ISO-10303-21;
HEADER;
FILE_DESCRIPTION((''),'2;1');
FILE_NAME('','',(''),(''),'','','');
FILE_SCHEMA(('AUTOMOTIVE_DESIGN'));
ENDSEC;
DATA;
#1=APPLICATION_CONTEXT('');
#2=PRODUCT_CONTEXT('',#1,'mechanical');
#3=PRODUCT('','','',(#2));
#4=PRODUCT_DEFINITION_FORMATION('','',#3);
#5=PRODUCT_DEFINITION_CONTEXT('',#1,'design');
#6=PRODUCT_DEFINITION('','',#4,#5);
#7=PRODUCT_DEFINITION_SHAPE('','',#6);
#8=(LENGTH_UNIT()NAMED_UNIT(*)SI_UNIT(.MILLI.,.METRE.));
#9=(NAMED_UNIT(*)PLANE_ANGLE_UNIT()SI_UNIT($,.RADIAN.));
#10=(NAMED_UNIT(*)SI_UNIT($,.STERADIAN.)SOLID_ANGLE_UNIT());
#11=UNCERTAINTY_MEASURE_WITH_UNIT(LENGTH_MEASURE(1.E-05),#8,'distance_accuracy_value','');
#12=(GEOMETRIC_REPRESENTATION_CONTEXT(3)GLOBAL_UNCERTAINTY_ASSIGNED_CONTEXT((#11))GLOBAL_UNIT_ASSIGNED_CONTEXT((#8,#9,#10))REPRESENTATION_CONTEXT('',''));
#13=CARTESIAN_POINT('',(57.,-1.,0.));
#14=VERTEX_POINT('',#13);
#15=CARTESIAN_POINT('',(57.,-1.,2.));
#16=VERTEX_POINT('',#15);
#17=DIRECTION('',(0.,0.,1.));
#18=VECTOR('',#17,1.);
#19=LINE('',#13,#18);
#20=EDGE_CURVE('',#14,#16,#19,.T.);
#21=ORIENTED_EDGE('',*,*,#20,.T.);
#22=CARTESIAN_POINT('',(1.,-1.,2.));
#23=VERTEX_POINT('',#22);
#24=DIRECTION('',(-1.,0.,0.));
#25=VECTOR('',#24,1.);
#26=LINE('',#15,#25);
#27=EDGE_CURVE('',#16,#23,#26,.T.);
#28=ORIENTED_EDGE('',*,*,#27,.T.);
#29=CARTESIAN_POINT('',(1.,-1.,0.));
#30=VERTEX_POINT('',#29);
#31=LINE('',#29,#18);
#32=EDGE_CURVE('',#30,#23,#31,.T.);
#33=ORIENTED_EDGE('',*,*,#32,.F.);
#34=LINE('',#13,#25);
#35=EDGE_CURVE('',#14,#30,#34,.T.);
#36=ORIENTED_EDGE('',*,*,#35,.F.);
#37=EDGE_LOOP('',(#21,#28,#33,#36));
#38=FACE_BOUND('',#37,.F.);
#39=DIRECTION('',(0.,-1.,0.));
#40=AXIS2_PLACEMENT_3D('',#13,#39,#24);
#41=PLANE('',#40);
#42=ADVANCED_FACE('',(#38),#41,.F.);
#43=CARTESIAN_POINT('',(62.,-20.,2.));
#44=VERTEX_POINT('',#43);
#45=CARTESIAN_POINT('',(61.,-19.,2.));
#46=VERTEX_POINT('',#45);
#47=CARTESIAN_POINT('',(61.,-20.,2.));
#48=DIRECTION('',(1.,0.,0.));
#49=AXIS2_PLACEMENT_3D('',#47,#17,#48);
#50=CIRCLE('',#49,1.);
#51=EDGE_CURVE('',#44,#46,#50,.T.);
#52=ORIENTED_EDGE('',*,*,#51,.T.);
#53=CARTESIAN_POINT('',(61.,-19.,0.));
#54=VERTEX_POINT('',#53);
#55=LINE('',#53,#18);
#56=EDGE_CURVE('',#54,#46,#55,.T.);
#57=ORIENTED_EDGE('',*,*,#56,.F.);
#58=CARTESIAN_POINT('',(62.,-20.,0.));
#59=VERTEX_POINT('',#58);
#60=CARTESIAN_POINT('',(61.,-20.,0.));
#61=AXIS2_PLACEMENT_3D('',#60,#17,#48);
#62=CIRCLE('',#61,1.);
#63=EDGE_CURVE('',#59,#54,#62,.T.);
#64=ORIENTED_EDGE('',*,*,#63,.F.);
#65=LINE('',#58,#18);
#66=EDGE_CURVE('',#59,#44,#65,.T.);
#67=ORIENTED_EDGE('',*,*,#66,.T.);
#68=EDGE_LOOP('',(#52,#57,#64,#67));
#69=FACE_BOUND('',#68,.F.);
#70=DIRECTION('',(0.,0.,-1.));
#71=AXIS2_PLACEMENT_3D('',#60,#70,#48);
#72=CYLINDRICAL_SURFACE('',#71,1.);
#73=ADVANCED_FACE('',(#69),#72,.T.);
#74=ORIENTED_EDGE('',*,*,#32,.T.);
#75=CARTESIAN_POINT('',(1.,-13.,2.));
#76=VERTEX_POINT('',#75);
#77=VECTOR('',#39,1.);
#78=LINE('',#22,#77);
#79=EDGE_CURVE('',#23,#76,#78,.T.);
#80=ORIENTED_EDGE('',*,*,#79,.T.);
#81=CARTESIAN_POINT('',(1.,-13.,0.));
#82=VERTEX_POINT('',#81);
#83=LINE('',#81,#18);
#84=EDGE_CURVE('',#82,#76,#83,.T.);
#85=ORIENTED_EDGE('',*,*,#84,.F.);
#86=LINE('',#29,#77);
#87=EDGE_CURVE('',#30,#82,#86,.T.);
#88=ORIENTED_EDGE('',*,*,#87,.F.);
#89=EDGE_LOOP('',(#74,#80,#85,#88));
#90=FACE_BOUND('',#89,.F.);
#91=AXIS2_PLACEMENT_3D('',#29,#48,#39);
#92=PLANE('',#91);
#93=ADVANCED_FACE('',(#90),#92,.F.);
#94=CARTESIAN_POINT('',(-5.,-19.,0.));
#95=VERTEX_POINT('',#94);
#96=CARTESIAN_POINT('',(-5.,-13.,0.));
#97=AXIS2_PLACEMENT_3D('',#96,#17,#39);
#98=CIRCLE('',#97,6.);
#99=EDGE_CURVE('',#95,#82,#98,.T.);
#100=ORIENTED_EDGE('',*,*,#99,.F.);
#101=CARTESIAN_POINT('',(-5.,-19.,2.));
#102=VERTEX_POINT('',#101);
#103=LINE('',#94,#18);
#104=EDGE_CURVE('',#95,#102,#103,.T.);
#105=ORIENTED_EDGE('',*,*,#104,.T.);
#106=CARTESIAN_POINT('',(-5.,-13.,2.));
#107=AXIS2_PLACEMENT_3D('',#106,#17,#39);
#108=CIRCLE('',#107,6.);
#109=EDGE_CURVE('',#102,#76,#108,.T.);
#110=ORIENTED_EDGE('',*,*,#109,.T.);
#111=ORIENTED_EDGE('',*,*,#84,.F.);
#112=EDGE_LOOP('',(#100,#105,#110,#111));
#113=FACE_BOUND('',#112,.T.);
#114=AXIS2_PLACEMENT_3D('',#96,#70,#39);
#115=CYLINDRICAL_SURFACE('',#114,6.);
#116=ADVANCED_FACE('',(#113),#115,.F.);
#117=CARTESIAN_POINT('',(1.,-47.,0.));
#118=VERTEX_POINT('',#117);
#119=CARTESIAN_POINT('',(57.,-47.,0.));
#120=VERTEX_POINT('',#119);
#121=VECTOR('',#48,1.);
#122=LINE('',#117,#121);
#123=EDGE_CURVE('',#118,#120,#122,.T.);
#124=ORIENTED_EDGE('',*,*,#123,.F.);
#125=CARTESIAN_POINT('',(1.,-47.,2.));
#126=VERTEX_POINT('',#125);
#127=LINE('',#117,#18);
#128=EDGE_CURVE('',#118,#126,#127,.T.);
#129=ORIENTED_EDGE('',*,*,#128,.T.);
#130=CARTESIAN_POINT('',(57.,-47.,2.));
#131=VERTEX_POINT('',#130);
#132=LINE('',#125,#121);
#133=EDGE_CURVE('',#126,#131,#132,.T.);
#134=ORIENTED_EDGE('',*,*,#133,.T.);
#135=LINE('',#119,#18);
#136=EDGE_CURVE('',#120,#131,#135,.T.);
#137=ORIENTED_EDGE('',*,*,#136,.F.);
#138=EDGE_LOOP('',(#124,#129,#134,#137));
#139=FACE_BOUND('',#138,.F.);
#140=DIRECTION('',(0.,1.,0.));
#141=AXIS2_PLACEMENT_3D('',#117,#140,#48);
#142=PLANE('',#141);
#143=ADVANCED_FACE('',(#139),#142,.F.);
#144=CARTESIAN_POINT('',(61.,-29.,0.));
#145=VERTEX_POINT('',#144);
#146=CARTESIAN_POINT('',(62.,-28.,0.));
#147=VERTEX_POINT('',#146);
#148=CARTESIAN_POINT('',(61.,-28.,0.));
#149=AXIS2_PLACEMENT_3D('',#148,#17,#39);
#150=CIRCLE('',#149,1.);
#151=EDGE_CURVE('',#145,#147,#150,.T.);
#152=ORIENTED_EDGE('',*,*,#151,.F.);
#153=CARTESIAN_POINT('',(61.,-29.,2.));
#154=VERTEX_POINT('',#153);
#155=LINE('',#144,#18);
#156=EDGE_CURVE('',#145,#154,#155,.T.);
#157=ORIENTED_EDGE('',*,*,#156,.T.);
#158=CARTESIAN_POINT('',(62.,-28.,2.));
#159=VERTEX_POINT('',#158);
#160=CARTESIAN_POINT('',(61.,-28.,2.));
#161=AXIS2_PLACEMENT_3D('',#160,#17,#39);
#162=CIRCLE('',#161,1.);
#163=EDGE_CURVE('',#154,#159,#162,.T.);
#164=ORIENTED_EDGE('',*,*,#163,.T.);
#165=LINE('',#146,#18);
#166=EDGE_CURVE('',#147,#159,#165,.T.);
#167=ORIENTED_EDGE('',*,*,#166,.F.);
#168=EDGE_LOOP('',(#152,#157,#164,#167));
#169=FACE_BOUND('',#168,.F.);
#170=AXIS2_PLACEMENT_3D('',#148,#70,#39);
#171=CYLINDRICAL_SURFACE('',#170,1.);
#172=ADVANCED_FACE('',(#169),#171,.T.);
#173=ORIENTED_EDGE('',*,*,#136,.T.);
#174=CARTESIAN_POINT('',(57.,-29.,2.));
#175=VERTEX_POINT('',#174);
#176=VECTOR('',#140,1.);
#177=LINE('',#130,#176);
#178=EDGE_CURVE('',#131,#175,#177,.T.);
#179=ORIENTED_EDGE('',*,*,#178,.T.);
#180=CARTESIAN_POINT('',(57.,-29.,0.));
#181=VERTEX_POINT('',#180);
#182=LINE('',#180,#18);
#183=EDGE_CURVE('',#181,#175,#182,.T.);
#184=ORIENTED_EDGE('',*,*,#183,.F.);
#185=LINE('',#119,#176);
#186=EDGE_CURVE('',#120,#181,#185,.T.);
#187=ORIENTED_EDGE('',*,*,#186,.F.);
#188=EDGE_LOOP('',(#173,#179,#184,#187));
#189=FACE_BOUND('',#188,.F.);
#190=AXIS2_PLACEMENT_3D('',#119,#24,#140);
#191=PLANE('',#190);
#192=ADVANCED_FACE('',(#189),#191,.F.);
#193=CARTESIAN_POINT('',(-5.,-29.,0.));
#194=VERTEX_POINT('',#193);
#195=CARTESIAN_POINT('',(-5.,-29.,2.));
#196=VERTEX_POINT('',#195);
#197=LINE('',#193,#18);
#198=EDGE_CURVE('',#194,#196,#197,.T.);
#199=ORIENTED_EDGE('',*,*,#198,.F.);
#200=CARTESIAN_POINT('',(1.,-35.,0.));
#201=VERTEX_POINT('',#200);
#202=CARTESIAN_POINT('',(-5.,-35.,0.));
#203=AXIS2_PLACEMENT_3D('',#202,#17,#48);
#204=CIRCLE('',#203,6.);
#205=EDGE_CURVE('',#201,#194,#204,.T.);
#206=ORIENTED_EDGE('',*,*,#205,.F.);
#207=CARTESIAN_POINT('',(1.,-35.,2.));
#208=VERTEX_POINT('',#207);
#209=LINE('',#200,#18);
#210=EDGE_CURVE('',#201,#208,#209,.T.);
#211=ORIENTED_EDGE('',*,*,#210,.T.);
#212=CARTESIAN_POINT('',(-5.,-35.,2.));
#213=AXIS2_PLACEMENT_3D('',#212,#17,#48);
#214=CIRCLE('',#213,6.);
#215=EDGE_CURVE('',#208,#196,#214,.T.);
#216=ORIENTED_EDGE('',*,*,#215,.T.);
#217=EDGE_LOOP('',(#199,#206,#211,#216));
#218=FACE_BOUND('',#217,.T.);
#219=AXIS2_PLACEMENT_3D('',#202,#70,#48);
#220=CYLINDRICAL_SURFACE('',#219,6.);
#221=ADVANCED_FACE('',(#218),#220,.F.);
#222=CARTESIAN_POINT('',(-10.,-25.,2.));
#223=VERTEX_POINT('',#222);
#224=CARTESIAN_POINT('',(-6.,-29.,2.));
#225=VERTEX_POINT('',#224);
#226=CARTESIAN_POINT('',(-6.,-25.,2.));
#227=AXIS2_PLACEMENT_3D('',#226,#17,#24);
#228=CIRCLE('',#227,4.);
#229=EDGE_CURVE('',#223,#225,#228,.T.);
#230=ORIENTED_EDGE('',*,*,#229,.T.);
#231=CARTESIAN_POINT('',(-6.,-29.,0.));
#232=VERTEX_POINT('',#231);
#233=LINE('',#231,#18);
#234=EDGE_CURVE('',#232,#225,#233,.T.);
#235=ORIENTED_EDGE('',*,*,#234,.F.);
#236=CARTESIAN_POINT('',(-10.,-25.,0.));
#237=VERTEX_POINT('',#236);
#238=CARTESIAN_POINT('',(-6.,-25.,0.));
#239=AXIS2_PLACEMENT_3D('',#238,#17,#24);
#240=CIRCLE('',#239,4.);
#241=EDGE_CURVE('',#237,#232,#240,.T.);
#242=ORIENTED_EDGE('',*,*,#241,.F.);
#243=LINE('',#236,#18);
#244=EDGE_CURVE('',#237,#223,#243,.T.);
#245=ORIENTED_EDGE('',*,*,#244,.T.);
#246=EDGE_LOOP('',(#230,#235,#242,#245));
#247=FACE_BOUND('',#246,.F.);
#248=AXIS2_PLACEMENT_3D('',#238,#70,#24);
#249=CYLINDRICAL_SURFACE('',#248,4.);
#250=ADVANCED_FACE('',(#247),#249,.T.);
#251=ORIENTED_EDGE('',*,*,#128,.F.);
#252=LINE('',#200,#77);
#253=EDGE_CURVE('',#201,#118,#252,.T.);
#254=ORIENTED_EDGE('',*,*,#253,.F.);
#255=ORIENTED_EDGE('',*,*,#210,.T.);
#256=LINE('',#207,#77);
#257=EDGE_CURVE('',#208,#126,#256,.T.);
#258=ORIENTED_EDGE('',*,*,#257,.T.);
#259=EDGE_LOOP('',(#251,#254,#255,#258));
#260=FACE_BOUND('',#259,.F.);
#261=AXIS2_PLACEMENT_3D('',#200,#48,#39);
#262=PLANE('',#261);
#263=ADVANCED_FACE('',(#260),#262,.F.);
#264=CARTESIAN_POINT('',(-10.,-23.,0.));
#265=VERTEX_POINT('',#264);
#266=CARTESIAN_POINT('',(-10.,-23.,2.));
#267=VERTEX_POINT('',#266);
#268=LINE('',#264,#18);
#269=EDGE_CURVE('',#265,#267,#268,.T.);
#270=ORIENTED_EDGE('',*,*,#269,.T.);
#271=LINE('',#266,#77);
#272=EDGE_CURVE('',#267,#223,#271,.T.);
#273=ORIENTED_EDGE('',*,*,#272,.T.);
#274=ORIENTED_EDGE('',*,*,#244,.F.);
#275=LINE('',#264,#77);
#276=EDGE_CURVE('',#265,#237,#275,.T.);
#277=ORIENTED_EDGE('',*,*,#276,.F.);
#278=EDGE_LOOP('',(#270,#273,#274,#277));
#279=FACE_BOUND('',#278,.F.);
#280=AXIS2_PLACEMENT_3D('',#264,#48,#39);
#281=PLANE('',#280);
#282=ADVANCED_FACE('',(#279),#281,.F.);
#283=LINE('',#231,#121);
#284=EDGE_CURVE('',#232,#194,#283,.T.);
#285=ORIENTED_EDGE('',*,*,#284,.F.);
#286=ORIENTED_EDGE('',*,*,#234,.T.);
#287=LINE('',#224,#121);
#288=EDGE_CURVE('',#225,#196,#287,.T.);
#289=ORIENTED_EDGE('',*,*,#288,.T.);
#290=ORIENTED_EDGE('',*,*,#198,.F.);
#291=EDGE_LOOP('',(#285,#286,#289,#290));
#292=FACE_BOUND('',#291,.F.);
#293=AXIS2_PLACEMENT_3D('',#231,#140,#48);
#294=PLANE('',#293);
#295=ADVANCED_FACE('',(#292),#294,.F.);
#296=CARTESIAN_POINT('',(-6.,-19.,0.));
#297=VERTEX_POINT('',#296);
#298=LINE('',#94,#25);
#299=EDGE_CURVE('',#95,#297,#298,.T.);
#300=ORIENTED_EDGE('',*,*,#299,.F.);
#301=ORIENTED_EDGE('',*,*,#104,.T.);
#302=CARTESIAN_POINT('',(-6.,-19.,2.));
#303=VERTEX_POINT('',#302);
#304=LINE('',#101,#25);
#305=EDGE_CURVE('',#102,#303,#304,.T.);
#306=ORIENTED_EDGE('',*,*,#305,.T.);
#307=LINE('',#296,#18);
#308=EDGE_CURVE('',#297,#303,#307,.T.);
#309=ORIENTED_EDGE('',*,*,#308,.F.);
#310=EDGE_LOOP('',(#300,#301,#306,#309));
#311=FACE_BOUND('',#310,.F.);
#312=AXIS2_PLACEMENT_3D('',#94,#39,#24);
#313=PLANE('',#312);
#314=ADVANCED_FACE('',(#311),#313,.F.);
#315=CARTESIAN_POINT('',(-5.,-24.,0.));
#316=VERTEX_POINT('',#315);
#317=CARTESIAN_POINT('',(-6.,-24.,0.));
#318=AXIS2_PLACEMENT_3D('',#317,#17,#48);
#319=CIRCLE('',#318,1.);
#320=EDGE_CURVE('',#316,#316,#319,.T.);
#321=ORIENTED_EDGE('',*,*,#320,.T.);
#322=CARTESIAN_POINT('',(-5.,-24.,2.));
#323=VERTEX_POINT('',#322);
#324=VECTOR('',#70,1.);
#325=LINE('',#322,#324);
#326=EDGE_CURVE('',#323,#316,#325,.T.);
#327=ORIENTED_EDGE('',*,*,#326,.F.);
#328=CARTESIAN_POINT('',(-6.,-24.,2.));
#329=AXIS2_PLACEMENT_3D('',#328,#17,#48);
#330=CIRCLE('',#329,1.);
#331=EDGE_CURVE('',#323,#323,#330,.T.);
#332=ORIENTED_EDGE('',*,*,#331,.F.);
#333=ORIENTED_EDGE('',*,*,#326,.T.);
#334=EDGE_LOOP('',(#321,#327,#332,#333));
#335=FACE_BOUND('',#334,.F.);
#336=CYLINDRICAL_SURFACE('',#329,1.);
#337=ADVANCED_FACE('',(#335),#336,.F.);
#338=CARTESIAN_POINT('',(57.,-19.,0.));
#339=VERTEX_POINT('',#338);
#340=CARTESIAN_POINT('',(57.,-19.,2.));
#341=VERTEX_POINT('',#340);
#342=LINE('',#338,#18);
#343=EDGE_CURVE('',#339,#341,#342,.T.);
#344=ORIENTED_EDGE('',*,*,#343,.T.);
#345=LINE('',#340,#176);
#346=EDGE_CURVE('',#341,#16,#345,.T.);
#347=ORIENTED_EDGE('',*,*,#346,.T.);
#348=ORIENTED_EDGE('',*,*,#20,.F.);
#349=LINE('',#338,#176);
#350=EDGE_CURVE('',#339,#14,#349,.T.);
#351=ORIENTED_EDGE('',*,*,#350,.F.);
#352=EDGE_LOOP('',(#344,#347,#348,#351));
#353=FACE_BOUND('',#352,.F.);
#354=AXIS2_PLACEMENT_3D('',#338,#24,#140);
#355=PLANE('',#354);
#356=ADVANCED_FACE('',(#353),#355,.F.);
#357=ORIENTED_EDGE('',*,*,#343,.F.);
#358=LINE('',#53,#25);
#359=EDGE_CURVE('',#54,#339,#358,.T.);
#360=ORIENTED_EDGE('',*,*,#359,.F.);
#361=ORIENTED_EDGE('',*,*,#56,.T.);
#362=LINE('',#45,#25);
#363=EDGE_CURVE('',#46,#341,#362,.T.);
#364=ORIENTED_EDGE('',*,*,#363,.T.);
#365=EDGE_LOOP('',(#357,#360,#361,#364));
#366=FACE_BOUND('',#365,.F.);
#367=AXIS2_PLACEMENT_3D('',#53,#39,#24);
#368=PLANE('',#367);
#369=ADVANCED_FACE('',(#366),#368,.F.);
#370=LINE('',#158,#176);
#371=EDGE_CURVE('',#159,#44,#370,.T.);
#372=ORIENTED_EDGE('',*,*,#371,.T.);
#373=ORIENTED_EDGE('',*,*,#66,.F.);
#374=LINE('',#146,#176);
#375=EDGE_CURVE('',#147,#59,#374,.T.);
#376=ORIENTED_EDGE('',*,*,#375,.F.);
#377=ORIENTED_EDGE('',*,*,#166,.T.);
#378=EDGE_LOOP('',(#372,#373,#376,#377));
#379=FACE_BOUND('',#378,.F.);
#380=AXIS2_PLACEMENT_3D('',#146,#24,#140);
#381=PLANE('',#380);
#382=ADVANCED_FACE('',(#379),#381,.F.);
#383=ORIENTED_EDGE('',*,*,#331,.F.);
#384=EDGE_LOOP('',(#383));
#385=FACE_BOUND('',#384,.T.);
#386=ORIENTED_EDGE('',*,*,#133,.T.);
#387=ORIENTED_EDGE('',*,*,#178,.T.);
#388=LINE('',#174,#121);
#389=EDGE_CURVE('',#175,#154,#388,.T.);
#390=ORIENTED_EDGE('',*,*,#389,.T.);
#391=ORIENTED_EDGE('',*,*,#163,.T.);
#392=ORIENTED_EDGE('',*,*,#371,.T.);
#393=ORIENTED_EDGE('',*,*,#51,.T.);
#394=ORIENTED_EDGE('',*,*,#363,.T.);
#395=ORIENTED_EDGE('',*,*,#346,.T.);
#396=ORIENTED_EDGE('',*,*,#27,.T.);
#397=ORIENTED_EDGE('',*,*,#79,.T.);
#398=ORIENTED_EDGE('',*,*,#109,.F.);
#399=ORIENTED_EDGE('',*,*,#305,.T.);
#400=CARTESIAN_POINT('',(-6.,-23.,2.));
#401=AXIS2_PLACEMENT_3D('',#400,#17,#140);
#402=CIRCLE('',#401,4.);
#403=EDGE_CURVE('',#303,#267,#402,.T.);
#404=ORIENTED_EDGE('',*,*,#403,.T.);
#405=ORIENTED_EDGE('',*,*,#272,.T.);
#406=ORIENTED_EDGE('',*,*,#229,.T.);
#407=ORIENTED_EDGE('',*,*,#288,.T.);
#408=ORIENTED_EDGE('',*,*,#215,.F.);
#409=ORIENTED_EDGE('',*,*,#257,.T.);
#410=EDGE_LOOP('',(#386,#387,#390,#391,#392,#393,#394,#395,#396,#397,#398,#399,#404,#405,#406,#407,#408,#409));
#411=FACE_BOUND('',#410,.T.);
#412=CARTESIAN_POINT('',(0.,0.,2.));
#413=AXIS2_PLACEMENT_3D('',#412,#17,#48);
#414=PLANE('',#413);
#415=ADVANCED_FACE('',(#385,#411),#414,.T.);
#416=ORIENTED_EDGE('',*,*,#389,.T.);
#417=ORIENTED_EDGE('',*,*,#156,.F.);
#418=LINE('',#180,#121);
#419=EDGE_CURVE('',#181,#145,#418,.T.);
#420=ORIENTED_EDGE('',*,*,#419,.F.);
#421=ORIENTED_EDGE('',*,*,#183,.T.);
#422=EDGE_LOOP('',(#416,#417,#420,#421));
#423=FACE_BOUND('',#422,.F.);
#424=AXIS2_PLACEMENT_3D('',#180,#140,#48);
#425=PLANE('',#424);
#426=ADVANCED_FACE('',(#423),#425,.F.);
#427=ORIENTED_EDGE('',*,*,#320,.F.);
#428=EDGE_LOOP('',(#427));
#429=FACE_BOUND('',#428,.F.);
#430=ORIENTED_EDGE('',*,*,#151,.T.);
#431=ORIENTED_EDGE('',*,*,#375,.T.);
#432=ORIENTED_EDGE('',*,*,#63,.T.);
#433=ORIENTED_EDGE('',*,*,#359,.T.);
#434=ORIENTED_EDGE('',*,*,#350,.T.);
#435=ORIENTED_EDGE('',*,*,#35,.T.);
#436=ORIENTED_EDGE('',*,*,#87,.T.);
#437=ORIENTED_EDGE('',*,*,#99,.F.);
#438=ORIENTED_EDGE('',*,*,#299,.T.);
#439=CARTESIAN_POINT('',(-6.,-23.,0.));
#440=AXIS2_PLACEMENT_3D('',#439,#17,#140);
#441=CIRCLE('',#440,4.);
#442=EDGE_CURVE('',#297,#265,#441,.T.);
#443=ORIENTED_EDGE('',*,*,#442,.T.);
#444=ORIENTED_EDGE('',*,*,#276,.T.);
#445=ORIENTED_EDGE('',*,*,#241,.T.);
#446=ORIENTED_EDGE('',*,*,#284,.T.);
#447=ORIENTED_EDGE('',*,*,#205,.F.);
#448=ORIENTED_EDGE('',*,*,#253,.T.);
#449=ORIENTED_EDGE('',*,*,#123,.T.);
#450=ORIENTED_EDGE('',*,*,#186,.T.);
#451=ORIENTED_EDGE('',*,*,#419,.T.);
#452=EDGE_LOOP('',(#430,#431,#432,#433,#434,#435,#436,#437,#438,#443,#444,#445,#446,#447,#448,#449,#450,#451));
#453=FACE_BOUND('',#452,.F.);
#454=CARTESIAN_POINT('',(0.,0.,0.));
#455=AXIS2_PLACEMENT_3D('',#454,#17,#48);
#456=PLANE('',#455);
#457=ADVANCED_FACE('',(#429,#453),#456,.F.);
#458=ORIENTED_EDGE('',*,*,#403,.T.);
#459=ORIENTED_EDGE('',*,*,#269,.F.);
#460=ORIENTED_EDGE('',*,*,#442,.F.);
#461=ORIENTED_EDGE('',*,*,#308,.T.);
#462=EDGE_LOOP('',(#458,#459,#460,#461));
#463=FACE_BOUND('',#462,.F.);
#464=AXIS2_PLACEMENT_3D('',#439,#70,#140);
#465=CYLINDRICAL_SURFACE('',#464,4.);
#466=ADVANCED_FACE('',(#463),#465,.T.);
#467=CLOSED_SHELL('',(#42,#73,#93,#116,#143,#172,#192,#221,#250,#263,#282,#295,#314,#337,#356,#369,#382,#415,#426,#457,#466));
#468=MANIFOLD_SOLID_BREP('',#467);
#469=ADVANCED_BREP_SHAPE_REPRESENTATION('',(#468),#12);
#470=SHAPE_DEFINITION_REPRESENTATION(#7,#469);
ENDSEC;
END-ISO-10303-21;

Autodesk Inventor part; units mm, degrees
ref_plane "YZ Plane" through (0, 0, 0) normal (1, 0, 0) x (0, 1, 0)
ref_plane "XZ Plane" through (0, 0, 0) normal (0, 1, 0) x (-1, 0, 0)
ref_plane "XY Plane" through (0, 0, 0) normal (0, 0, 1) x (1, 0, 0)
sketch "Sketch1" plane through (0, 0, 0) normal (0, 0, 1) x (1, 0, 0)
  line L0 (57, -1) -> (1, -1)
  line L1 (1, -1) -> (1, -13)
  arc A0 (-5, -19) -> (1, -13) centre (-5, -13) ccw
  line L2 (-5, -19) -> (-6, -19)
  arc A1 (-6, -19) -> (-10, -23) centre (-6, -23) ccw
  line L3 (-10, -23) -> (-10, -25)
  arc A2 (-10, -25) -> (-6, -29) centre (-6, -25) ccw
  line L4 (-6, -29) -> (-5, -29)
  arc A3 (1, -35) -> (-5, -29) centre (-5, -35) ccw
  line L5 (1, -35) -> (1, -47)
  line L6 (1, -47) -> (57, -47)
  line L7 (57, -47) -> (57, -29)
  line L8 (57, -29) -> (61, -29)
  arc A4 (61, -29) -> (62, -28) centre (61, -28) ccw
  line L9 (62, -28) -> (62, -20)
  arc A5 (62, -20) -> (61, -19) centre (61, -20) ccw
  line L10 (61, -19) -> (57, -19)
  line L11 (57, -19) -> (57, -1)
  point P0 (0, 0)
extrude "Extrusion1" add sketch "Sketch1" along normal blind 2
sketch "Sketch2" plane through (0, 0, 2) normal (0, 0, 1) x (1, 0, 0)
  line L0 (-10, -24) -> (-6, -24) construction
  circle A0 centre (-6, -24) radius 1
  line L1 (-10, -24) -> (-6, -24) construction
  point P0 (0, 0)
  point P1 (-10, -23)
  point P2 (-10, -25)
  dimension "d14" = 2
  dimension "d20" = 4
extrude "Extrusion2" cut sketch "Sketch2" against normal blind 5
thread "Thread1" size "M2x0.4" class "6H" standard "ANSI Metric M Profile" length 10
properties part number "Battery holder lid"
